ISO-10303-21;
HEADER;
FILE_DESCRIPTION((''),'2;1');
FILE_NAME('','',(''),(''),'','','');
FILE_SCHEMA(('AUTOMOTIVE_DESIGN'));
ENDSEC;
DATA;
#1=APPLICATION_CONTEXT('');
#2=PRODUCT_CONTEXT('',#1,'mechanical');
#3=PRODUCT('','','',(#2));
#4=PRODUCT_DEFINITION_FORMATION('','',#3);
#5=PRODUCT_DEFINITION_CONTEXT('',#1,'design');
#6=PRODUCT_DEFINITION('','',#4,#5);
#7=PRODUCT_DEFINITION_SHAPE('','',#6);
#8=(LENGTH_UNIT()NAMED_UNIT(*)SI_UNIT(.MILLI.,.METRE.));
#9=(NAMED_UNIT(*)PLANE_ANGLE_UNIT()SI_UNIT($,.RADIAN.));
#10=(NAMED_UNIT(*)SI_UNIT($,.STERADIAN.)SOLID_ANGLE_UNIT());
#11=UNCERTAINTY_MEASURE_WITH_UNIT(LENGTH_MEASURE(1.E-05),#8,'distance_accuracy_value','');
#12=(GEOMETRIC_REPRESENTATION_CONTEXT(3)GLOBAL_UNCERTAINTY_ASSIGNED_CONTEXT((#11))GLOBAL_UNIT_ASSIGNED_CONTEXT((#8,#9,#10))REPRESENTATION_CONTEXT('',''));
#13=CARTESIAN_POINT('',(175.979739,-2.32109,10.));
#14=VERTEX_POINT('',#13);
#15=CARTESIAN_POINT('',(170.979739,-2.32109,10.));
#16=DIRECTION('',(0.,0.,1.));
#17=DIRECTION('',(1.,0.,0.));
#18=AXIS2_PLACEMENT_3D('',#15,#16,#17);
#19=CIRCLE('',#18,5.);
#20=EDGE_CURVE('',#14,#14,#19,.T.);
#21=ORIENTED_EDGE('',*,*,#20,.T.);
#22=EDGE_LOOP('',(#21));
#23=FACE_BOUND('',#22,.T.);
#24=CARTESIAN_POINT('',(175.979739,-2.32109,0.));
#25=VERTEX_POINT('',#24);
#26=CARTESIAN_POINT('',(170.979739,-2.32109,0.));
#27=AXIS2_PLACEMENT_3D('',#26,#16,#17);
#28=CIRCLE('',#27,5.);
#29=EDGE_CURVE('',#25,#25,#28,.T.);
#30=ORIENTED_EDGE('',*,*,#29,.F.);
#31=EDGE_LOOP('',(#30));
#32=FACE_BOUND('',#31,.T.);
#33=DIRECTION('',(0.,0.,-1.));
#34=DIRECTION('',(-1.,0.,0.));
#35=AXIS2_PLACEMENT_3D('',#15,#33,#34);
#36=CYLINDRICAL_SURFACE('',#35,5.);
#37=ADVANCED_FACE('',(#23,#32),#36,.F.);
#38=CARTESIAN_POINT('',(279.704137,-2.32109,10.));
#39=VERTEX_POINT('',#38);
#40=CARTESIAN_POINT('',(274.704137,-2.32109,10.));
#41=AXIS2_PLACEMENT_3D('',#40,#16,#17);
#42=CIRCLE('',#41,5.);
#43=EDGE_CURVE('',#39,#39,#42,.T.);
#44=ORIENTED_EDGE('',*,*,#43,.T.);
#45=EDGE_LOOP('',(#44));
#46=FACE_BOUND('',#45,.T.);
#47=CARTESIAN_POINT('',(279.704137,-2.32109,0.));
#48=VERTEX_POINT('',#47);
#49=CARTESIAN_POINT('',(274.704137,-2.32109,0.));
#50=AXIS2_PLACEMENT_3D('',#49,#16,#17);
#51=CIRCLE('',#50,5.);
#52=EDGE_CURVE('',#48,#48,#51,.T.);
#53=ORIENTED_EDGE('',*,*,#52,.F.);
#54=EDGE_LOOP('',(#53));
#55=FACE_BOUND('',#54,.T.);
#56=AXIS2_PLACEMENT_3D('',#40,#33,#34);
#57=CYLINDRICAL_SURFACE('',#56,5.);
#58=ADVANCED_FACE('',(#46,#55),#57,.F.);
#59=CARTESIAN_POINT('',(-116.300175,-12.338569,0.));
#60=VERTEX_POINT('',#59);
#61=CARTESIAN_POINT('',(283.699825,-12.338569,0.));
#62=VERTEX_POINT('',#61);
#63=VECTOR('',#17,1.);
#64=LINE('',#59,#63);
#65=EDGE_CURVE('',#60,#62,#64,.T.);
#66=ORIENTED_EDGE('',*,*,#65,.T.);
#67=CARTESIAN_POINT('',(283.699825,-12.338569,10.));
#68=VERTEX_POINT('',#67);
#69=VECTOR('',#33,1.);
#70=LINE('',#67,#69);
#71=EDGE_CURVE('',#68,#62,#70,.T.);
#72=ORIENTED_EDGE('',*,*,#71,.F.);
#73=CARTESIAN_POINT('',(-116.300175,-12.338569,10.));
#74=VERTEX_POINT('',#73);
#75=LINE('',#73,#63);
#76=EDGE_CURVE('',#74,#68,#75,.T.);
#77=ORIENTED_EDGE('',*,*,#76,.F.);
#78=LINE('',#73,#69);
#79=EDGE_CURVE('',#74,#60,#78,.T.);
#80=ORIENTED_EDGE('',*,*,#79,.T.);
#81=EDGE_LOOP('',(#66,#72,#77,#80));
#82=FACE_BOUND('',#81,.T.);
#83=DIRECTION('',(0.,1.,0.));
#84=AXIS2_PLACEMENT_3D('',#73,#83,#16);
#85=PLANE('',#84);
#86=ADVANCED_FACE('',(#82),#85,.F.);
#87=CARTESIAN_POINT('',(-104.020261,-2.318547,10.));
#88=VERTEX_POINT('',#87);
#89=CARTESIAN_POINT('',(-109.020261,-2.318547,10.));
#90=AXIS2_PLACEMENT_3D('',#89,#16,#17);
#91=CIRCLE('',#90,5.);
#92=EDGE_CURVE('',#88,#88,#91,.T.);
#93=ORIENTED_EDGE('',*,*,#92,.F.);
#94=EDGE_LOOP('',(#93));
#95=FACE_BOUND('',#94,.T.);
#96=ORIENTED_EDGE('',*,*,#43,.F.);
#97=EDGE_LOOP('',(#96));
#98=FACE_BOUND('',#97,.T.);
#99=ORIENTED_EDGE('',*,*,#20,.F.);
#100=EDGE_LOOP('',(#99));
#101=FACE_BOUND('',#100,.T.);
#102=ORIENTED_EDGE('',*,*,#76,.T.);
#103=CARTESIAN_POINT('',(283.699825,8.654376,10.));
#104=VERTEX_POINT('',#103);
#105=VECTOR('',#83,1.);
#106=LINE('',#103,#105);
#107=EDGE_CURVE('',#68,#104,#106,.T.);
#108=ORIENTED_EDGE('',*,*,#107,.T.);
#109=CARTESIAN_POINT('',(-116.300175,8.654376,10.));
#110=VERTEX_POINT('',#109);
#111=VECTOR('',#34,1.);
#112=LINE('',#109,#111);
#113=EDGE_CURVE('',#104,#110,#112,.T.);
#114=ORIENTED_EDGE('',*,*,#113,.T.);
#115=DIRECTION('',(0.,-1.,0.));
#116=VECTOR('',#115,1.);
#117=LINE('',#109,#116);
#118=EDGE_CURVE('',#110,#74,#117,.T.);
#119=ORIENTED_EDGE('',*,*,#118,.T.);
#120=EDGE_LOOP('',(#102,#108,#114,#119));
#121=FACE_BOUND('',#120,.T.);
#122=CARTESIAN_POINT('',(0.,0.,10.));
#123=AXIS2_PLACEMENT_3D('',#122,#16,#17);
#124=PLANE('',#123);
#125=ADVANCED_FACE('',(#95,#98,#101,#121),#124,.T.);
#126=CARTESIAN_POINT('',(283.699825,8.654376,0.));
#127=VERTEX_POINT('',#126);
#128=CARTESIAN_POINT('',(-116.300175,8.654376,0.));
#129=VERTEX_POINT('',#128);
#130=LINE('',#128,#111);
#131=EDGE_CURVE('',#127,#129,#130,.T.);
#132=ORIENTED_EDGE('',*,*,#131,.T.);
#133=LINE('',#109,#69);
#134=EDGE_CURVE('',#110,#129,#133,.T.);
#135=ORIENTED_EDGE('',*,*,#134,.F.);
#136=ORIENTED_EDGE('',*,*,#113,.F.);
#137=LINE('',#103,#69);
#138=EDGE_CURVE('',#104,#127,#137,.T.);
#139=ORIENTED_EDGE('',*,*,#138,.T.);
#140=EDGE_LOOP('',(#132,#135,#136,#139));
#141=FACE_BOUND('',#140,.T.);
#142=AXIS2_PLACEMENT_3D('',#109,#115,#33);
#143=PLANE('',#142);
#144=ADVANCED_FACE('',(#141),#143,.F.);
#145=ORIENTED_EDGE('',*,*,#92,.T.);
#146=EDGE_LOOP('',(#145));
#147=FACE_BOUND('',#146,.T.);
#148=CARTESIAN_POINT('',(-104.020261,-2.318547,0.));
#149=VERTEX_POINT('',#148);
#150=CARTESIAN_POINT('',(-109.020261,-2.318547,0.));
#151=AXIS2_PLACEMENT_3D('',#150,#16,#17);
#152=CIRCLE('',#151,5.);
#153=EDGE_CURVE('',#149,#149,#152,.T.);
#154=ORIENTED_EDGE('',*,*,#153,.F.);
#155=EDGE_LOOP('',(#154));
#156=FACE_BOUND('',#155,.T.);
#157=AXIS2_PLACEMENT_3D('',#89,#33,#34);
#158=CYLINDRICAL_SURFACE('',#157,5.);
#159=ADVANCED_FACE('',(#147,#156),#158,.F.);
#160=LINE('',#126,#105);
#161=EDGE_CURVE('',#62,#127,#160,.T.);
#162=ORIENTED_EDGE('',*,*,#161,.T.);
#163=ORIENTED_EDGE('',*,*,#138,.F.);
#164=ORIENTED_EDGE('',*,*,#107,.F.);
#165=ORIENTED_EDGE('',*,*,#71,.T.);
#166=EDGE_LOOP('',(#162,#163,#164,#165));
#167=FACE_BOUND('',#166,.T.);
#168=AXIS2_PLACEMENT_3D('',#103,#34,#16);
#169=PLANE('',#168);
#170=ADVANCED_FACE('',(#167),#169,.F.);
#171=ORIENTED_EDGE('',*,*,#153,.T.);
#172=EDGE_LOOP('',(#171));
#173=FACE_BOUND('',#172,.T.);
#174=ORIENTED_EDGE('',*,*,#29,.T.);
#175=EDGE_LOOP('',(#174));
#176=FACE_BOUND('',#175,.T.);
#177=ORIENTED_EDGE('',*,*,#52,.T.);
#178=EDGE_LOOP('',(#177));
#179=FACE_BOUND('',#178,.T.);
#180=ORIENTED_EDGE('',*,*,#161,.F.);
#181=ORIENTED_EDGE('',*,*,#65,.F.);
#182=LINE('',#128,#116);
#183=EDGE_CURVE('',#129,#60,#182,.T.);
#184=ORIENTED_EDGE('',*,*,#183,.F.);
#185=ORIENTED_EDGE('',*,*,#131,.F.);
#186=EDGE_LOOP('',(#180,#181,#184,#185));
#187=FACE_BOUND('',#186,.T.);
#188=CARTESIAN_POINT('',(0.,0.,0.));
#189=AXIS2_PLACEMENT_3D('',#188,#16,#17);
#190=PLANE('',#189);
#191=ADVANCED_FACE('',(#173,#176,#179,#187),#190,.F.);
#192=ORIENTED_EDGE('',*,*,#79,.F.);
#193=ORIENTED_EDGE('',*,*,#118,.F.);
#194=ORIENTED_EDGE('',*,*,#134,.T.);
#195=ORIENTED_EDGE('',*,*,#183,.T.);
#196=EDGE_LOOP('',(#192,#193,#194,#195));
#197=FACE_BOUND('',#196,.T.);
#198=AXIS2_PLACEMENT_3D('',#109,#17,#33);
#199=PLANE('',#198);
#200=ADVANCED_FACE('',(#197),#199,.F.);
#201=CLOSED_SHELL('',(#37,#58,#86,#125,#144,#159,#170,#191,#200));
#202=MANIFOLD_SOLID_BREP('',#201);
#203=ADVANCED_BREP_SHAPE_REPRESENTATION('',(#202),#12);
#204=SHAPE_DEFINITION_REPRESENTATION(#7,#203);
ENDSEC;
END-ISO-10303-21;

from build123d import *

# Parameters (mm, degrees)
SKETCH_1_W      = 400
SKETCH_1_H      = 20.992945259
SKETCH_1_R      = 5
EXTRUDE_1_DEPTH = 10


with BuildPart() as part:
    # 草图1 → 凸台-拉伸1 (new body)
    with BuildSketch(Plane.XY):
        with Locations((83.69982548, -1.842096306)):
            Rectangle(SKETCH_1_W, SKETCH_1_H)
        with Locations((-109.020261095, -2.318547405)):
            Circle(SKETCH_1_R, mode=Mode.SUBTRACT)
        with Locations((170.979738893, -2.321089853)):
            Circle(SKETCH_1_R, mode=Mode.SUBTRACT)
        with Locations((274.704136761, -2.321089853)):
            Circle(SKETCH_1_R, mode=Mode.SUBTRACT)
    extrude(amount=EXTRUDE_1_DEPTH)


solid = part.part
